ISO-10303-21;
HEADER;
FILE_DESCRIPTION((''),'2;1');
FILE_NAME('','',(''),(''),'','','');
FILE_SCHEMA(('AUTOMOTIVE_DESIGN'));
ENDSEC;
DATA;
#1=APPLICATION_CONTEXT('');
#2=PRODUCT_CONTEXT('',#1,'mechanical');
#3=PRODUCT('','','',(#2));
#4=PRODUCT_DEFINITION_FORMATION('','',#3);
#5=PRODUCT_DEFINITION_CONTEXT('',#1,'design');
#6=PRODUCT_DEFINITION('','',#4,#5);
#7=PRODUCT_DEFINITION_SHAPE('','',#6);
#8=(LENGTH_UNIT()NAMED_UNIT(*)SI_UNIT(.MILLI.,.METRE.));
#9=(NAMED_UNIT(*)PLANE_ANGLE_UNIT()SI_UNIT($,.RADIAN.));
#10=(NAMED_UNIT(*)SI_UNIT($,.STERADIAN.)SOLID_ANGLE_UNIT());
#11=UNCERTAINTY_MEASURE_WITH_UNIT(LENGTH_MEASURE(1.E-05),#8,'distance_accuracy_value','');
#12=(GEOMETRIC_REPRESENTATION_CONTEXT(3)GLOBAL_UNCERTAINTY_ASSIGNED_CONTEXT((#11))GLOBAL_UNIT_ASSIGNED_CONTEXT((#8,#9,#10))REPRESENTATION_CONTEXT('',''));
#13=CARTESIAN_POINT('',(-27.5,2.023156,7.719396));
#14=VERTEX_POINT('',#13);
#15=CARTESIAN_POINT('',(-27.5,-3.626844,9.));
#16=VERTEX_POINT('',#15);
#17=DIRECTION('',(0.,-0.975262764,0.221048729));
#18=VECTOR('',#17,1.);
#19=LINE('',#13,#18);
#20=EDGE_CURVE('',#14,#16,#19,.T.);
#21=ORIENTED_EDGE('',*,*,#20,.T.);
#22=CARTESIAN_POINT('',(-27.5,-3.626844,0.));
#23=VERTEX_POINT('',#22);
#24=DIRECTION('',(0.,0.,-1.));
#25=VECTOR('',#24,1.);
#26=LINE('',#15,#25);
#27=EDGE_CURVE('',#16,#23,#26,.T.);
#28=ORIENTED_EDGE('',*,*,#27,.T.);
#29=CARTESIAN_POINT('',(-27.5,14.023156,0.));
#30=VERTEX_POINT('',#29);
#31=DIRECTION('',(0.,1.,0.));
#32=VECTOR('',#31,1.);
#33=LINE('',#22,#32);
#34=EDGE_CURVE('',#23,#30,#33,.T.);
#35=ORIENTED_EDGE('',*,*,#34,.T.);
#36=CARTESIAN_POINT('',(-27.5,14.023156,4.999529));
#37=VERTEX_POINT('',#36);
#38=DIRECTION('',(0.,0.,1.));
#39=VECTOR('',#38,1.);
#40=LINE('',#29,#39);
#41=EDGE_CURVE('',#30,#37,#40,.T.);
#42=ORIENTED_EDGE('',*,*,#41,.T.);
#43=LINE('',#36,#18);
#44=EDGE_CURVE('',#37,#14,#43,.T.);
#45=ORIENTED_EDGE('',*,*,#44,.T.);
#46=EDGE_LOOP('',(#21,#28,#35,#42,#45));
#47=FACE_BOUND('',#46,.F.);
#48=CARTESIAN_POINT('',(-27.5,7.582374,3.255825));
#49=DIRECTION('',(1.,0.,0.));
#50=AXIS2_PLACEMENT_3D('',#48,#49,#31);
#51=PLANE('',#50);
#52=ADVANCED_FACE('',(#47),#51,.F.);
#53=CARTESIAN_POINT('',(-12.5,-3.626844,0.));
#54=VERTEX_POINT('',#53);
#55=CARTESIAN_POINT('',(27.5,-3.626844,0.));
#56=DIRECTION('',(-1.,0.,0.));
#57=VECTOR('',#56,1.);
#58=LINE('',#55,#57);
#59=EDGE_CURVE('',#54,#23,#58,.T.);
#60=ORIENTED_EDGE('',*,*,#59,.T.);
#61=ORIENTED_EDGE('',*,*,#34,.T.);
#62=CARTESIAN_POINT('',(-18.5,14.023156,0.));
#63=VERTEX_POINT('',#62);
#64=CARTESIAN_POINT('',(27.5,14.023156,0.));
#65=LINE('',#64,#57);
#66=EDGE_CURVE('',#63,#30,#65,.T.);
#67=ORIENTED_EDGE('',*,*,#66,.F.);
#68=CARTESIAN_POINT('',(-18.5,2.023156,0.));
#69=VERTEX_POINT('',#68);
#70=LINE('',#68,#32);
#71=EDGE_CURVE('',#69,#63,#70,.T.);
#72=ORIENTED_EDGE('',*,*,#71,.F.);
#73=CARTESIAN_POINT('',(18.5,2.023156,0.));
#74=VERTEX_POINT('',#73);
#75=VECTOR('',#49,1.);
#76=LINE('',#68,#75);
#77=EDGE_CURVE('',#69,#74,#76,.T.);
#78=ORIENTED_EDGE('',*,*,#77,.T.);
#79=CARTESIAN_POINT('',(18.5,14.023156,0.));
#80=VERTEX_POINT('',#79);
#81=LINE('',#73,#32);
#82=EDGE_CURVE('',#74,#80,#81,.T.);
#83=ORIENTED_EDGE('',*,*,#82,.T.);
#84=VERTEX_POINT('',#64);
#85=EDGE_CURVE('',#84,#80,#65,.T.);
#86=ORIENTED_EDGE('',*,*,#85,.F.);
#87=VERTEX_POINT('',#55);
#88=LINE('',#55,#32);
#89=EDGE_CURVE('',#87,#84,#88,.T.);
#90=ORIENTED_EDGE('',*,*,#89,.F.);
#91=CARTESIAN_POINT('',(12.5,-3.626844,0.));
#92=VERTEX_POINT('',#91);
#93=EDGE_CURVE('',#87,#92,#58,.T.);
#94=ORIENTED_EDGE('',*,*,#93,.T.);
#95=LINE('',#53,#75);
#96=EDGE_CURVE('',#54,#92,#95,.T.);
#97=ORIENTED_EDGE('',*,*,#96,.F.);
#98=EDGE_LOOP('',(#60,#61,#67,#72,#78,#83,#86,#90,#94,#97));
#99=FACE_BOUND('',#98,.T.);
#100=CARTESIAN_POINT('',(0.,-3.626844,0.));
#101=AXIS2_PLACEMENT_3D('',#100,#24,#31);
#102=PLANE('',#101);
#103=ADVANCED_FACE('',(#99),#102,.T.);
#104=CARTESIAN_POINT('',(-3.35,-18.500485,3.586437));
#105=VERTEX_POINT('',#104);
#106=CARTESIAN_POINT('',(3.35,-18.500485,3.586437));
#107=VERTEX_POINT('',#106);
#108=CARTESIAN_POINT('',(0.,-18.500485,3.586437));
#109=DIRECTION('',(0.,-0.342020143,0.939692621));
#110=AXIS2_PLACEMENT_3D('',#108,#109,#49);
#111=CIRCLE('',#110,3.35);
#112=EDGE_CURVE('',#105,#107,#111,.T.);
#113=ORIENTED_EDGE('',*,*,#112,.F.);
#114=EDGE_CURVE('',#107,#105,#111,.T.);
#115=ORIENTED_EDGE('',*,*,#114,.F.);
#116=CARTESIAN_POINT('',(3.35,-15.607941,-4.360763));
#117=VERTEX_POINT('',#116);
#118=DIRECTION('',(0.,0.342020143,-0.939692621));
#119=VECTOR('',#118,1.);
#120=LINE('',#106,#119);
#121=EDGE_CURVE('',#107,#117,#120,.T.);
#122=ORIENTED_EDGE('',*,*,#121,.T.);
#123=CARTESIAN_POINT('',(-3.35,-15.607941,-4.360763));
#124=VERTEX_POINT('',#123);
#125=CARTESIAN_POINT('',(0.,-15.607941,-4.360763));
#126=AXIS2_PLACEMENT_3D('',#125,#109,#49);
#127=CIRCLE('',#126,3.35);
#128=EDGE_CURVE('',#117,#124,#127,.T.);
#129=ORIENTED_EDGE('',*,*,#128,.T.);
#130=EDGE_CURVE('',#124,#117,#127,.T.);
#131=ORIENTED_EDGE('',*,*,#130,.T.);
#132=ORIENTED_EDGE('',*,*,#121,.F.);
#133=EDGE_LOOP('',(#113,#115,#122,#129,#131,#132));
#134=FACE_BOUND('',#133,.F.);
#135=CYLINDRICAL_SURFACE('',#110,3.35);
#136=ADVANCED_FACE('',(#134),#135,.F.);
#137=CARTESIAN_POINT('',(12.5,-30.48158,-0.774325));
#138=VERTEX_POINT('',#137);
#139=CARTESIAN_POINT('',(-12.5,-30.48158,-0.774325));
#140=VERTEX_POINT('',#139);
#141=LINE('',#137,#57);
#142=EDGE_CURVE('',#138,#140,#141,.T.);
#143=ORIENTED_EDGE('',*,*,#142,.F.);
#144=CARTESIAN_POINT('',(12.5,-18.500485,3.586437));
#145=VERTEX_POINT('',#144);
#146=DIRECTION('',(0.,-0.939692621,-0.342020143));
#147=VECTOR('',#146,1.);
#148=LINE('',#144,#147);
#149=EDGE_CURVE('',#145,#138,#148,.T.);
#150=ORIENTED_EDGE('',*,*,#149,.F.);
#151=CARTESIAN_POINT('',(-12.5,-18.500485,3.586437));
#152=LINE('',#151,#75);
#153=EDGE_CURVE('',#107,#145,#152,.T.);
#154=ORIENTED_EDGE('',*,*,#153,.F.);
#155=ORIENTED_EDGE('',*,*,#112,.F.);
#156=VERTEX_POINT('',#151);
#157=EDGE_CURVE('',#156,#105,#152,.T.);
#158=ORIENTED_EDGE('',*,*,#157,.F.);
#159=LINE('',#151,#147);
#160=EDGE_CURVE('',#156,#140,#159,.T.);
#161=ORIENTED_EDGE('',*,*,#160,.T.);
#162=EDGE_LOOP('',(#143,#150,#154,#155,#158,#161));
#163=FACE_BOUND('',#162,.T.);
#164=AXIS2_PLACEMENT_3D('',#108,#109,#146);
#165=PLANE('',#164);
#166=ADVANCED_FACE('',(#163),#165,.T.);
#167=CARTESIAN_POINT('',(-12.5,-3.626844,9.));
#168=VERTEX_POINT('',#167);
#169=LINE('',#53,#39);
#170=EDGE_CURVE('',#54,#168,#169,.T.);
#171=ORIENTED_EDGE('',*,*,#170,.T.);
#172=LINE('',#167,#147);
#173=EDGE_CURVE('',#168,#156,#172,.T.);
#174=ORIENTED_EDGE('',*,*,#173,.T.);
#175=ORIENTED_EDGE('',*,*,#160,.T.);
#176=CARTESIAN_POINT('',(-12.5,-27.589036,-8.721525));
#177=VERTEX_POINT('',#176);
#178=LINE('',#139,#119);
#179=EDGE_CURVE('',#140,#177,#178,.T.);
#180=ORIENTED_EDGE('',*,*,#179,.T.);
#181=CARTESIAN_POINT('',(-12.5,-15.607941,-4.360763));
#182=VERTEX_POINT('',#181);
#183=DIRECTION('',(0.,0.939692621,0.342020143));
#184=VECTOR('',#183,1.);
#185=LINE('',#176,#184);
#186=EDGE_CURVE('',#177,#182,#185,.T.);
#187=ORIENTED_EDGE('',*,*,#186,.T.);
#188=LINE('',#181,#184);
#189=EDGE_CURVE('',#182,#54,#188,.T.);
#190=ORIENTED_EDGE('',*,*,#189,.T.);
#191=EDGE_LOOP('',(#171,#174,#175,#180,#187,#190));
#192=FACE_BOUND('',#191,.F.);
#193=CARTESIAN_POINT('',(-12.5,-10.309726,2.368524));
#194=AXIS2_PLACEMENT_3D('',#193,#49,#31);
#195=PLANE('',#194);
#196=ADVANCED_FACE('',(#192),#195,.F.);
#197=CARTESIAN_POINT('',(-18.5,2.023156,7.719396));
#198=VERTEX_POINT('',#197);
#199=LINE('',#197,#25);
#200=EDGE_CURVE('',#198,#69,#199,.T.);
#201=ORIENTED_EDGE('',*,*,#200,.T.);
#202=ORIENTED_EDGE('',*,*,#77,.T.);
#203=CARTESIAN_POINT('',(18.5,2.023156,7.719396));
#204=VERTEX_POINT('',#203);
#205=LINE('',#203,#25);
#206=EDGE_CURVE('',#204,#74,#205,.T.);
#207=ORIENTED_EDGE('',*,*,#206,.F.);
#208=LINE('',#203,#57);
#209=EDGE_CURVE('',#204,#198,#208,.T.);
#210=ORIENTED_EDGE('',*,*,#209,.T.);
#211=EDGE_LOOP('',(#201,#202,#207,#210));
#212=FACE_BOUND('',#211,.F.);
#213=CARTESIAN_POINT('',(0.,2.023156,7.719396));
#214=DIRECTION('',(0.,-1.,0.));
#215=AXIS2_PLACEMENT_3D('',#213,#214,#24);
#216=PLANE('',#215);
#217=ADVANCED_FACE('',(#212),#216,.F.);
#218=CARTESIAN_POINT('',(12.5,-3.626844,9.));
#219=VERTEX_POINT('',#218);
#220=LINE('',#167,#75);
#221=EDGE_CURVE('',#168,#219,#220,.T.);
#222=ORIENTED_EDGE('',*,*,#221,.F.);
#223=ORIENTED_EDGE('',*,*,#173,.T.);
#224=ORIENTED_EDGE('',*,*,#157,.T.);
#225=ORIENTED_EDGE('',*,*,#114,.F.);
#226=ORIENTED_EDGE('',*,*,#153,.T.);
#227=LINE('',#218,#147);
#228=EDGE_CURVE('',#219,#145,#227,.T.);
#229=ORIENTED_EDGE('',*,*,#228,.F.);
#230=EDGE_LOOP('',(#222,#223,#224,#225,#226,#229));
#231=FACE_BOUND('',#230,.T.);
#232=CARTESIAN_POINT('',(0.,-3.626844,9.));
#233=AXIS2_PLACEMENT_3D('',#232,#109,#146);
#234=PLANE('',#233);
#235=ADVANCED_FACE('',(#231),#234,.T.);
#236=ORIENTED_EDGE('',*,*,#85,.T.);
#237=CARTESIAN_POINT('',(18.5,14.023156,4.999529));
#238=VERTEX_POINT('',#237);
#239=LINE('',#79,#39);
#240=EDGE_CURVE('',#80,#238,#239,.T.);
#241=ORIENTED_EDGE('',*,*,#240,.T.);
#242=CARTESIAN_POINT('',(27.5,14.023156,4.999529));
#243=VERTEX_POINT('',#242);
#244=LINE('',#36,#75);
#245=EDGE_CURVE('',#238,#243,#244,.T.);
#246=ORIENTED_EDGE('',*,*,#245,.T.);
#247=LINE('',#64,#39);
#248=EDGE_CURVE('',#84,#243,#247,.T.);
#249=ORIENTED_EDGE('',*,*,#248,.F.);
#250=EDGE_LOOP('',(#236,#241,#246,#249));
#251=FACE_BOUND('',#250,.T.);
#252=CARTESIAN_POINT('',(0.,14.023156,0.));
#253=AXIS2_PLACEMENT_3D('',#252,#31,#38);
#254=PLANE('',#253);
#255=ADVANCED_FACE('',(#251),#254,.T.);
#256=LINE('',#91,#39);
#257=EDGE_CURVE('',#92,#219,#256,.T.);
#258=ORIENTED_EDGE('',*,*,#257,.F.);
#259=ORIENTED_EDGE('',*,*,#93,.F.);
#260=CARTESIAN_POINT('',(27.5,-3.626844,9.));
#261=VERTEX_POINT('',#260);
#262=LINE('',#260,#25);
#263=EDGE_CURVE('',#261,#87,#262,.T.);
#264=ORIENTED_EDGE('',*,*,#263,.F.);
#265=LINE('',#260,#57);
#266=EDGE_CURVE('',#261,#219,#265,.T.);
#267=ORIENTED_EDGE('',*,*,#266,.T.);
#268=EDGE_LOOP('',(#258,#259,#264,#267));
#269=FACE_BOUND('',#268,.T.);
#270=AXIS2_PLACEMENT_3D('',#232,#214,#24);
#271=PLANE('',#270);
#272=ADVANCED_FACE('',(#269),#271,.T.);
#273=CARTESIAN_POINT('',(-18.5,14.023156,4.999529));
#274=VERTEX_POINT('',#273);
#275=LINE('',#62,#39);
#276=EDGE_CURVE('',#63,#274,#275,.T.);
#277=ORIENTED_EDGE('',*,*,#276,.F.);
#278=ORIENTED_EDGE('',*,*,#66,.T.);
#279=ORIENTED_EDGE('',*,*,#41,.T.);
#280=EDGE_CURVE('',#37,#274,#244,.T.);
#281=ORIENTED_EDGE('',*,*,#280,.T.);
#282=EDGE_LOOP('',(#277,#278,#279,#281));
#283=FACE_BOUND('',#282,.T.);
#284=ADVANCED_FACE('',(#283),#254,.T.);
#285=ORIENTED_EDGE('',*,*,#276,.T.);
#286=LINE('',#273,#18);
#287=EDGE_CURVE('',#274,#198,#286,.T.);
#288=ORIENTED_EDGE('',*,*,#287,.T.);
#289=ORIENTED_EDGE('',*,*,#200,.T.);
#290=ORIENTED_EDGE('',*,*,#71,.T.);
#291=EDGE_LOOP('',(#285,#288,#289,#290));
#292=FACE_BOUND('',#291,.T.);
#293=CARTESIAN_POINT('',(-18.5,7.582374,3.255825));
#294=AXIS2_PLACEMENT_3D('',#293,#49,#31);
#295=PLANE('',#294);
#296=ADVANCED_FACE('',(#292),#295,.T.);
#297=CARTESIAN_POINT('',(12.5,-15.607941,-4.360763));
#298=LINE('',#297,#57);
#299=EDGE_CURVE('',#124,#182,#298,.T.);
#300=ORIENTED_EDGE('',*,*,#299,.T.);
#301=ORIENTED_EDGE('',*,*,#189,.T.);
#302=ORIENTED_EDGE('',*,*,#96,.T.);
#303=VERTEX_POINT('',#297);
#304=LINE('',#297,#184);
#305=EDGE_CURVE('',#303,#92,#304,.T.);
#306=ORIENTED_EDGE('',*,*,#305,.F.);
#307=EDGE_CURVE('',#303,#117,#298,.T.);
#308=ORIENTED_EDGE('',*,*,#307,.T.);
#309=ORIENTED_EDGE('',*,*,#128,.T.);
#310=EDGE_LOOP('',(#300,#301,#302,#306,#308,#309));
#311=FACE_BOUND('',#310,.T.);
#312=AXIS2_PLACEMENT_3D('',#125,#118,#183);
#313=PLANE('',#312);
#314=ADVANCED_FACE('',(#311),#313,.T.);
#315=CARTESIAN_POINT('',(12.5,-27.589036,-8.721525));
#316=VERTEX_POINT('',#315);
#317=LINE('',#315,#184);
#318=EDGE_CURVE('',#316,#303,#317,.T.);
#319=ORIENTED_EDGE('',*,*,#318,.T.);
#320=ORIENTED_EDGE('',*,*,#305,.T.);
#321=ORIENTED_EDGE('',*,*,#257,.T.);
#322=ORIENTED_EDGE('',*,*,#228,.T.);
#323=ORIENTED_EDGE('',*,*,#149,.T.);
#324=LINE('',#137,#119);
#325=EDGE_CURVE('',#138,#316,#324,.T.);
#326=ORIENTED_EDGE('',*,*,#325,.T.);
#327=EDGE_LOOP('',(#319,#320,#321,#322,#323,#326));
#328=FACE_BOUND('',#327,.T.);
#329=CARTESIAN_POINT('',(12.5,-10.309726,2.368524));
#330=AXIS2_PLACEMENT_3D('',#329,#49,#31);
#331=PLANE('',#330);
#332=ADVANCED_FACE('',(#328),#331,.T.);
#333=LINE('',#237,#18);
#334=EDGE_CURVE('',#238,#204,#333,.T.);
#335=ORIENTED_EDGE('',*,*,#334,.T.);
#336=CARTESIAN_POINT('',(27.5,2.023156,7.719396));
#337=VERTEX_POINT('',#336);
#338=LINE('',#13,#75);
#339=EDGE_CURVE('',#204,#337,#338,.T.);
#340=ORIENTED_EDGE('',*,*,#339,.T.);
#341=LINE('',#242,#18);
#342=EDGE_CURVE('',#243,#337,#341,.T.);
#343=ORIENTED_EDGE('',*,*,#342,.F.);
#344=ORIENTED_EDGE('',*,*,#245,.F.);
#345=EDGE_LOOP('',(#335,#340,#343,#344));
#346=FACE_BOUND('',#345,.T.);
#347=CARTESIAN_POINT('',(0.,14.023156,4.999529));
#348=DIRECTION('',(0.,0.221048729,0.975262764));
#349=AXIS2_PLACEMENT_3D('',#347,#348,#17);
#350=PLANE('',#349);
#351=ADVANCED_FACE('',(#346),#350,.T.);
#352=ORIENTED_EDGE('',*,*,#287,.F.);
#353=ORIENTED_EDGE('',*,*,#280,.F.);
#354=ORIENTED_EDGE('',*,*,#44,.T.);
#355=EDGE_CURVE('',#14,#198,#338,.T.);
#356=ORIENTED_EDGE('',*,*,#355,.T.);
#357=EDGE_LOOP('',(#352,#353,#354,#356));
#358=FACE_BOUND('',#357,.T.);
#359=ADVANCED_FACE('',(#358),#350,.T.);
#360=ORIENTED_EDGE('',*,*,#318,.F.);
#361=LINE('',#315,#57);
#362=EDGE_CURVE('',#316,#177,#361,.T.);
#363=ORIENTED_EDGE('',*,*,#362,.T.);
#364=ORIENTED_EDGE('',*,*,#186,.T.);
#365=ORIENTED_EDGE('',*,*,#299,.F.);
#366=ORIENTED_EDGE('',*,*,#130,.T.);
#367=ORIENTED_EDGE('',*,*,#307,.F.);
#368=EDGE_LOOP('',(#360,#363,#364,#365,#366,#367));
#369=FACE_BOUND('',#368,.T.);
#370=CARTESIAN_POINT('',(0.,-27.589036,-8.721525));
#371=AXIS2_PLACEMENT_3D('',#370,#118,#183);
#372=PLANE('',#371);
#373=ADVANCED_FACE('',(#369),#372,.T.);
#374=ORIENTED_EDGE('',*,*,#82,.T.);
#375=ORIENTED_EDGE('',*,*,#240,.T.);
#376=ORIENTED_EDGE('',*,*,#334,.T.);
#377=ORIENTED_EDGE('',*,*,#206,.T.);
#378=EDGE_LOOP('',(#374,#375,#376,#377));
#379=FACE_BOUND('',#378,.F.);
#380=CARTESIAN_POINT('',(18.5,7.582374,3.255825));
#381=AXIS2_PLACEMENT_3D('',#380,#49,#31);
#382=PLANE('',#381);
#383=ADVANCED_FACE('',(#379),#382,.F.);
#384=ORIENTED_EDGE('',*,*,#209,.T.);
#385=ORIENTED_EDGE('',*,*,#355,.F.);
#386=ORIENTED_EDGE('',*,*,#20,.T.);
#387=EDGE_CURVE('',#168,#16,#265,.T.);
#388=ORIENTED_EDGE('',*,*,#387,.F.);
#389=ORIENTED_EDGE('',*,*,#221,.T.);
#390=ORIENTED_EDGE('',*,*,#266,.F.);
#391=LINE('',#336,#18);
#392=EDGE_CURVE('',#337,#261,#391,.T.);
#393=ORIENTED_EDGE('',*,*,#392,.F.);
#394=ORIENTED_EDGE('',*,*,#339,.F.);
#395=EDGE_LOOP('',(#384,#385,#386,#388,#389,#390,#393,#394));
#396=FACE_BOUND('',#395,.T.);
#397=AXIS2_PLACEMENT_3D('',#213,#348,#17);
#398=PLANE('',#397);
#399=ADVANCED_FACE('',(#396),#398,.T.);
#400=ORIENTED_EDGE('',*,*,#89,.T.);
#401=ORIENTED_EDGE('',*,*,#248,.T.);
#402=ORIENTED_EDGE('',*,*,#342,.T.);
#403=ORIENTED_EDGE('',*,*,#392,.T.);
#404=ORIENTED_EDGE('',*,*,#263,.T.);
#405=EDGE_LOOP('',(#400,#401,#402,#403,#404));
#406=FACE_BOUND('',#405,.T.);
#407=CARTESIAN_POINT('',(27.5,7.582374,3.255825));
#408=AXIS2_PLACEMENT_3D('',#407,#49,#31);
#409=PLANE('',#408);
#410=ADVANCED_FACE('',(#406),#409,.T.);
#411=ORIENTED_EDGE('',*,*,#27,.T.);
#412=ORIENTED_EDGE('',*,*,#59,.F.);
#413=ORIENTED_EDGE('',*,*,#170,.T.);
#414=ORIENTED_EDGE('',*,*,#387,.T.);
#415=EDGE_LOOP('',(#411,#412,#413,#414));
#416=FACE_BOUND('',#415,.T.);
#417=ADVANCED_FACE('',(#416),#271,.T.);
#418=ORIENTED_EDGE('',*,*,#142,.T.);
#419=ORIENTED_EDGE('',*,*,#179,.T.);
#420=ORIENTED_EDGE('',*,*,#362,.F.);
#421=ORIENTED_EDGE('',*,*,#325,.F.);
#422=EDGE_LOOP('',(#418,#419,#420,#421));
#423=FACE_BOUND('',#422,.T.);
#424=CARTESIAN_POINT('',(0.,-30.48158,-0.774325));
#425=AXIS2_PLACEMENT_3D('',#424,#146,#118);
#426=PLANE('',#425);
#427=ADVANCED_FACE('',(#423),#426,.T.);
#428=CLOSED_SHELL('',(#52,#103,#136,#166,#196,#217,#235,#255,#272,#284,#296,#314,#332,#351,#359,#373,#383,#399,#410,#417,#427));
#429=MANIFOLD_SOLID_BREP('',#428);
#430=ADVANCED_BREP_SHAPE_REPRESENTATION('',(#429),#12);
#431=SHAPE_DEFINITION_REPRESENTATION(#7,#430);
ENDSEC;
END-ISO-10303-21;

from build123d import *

# Parameters (mm, degrees)
F1_DEPTH = 27.5
F2_DEPTH = 12.5
F3_DEPTH = 18.5
F4_R     = 3.35
F5_DEPTH = 8.4572335871


with BuildPart() as f1:
    # F0 (on Right) → F1 (new body, symmetric)
    with BuildSketch(Plane.YZ):
        Polygon((2.0231563184, 7.7193960785), (2.0231563184, 0), (14.0231563184, 0), (14.0231563184, 4.9995293425), align=None)
        Polygon((-3.6268436816, 9), (-3.6268436816, 0), (2.0231563184, 0), (2.0231563184, 7.7193960785), align=None)
    extrude(amount=F1_DEPTH, both=True)

    # F0 (on Right) → F2 (join, symmetric)
    with BuildSketch(Plane.YZ):
        Polygon((-15.6079412508, -4.360762889), (-3.6268436816, 0), (-3.6268436816, 9), (-18.5004854943, 3.586437105), align=None)
        Polygon((-27.5890355811, -8.7215245992), (-15.6079412508, -4.360762889), (-18.5004854943, 3.586437105), (-30.4815798247, -0.7743246052), align=None)
    extrude(amount=F2_DEPTH, both=True)

    # F0 (on Right) → F3 (cut, symmetric)
    with BuildSketch(Plane.YZ):
        Polygon((2.0231563184, 7.7193960785), (2.0231563184, 0), (14.0231563184, 0), (14.0231563184, 4.9995293425), align=None)
    extrude(amount=F3_DEPTH, both=True, mode=Mode.SUBTRACT)

    # F4 (on face) → F5 (cut, through all)
    with BuildSketch(Plane(origin=(0, -3.3168043602, 9.1128450844), x_dir=(1, 0, 0), z_dir=(0, -0.3420201433, 0.9396926208))):
        with Locations((0, -16.1581359673)):
            Circle(F4_R)
    extrude(amount=-F5_DEPTH, mode=Mode.SUBTRACT)


solid = f1.part
